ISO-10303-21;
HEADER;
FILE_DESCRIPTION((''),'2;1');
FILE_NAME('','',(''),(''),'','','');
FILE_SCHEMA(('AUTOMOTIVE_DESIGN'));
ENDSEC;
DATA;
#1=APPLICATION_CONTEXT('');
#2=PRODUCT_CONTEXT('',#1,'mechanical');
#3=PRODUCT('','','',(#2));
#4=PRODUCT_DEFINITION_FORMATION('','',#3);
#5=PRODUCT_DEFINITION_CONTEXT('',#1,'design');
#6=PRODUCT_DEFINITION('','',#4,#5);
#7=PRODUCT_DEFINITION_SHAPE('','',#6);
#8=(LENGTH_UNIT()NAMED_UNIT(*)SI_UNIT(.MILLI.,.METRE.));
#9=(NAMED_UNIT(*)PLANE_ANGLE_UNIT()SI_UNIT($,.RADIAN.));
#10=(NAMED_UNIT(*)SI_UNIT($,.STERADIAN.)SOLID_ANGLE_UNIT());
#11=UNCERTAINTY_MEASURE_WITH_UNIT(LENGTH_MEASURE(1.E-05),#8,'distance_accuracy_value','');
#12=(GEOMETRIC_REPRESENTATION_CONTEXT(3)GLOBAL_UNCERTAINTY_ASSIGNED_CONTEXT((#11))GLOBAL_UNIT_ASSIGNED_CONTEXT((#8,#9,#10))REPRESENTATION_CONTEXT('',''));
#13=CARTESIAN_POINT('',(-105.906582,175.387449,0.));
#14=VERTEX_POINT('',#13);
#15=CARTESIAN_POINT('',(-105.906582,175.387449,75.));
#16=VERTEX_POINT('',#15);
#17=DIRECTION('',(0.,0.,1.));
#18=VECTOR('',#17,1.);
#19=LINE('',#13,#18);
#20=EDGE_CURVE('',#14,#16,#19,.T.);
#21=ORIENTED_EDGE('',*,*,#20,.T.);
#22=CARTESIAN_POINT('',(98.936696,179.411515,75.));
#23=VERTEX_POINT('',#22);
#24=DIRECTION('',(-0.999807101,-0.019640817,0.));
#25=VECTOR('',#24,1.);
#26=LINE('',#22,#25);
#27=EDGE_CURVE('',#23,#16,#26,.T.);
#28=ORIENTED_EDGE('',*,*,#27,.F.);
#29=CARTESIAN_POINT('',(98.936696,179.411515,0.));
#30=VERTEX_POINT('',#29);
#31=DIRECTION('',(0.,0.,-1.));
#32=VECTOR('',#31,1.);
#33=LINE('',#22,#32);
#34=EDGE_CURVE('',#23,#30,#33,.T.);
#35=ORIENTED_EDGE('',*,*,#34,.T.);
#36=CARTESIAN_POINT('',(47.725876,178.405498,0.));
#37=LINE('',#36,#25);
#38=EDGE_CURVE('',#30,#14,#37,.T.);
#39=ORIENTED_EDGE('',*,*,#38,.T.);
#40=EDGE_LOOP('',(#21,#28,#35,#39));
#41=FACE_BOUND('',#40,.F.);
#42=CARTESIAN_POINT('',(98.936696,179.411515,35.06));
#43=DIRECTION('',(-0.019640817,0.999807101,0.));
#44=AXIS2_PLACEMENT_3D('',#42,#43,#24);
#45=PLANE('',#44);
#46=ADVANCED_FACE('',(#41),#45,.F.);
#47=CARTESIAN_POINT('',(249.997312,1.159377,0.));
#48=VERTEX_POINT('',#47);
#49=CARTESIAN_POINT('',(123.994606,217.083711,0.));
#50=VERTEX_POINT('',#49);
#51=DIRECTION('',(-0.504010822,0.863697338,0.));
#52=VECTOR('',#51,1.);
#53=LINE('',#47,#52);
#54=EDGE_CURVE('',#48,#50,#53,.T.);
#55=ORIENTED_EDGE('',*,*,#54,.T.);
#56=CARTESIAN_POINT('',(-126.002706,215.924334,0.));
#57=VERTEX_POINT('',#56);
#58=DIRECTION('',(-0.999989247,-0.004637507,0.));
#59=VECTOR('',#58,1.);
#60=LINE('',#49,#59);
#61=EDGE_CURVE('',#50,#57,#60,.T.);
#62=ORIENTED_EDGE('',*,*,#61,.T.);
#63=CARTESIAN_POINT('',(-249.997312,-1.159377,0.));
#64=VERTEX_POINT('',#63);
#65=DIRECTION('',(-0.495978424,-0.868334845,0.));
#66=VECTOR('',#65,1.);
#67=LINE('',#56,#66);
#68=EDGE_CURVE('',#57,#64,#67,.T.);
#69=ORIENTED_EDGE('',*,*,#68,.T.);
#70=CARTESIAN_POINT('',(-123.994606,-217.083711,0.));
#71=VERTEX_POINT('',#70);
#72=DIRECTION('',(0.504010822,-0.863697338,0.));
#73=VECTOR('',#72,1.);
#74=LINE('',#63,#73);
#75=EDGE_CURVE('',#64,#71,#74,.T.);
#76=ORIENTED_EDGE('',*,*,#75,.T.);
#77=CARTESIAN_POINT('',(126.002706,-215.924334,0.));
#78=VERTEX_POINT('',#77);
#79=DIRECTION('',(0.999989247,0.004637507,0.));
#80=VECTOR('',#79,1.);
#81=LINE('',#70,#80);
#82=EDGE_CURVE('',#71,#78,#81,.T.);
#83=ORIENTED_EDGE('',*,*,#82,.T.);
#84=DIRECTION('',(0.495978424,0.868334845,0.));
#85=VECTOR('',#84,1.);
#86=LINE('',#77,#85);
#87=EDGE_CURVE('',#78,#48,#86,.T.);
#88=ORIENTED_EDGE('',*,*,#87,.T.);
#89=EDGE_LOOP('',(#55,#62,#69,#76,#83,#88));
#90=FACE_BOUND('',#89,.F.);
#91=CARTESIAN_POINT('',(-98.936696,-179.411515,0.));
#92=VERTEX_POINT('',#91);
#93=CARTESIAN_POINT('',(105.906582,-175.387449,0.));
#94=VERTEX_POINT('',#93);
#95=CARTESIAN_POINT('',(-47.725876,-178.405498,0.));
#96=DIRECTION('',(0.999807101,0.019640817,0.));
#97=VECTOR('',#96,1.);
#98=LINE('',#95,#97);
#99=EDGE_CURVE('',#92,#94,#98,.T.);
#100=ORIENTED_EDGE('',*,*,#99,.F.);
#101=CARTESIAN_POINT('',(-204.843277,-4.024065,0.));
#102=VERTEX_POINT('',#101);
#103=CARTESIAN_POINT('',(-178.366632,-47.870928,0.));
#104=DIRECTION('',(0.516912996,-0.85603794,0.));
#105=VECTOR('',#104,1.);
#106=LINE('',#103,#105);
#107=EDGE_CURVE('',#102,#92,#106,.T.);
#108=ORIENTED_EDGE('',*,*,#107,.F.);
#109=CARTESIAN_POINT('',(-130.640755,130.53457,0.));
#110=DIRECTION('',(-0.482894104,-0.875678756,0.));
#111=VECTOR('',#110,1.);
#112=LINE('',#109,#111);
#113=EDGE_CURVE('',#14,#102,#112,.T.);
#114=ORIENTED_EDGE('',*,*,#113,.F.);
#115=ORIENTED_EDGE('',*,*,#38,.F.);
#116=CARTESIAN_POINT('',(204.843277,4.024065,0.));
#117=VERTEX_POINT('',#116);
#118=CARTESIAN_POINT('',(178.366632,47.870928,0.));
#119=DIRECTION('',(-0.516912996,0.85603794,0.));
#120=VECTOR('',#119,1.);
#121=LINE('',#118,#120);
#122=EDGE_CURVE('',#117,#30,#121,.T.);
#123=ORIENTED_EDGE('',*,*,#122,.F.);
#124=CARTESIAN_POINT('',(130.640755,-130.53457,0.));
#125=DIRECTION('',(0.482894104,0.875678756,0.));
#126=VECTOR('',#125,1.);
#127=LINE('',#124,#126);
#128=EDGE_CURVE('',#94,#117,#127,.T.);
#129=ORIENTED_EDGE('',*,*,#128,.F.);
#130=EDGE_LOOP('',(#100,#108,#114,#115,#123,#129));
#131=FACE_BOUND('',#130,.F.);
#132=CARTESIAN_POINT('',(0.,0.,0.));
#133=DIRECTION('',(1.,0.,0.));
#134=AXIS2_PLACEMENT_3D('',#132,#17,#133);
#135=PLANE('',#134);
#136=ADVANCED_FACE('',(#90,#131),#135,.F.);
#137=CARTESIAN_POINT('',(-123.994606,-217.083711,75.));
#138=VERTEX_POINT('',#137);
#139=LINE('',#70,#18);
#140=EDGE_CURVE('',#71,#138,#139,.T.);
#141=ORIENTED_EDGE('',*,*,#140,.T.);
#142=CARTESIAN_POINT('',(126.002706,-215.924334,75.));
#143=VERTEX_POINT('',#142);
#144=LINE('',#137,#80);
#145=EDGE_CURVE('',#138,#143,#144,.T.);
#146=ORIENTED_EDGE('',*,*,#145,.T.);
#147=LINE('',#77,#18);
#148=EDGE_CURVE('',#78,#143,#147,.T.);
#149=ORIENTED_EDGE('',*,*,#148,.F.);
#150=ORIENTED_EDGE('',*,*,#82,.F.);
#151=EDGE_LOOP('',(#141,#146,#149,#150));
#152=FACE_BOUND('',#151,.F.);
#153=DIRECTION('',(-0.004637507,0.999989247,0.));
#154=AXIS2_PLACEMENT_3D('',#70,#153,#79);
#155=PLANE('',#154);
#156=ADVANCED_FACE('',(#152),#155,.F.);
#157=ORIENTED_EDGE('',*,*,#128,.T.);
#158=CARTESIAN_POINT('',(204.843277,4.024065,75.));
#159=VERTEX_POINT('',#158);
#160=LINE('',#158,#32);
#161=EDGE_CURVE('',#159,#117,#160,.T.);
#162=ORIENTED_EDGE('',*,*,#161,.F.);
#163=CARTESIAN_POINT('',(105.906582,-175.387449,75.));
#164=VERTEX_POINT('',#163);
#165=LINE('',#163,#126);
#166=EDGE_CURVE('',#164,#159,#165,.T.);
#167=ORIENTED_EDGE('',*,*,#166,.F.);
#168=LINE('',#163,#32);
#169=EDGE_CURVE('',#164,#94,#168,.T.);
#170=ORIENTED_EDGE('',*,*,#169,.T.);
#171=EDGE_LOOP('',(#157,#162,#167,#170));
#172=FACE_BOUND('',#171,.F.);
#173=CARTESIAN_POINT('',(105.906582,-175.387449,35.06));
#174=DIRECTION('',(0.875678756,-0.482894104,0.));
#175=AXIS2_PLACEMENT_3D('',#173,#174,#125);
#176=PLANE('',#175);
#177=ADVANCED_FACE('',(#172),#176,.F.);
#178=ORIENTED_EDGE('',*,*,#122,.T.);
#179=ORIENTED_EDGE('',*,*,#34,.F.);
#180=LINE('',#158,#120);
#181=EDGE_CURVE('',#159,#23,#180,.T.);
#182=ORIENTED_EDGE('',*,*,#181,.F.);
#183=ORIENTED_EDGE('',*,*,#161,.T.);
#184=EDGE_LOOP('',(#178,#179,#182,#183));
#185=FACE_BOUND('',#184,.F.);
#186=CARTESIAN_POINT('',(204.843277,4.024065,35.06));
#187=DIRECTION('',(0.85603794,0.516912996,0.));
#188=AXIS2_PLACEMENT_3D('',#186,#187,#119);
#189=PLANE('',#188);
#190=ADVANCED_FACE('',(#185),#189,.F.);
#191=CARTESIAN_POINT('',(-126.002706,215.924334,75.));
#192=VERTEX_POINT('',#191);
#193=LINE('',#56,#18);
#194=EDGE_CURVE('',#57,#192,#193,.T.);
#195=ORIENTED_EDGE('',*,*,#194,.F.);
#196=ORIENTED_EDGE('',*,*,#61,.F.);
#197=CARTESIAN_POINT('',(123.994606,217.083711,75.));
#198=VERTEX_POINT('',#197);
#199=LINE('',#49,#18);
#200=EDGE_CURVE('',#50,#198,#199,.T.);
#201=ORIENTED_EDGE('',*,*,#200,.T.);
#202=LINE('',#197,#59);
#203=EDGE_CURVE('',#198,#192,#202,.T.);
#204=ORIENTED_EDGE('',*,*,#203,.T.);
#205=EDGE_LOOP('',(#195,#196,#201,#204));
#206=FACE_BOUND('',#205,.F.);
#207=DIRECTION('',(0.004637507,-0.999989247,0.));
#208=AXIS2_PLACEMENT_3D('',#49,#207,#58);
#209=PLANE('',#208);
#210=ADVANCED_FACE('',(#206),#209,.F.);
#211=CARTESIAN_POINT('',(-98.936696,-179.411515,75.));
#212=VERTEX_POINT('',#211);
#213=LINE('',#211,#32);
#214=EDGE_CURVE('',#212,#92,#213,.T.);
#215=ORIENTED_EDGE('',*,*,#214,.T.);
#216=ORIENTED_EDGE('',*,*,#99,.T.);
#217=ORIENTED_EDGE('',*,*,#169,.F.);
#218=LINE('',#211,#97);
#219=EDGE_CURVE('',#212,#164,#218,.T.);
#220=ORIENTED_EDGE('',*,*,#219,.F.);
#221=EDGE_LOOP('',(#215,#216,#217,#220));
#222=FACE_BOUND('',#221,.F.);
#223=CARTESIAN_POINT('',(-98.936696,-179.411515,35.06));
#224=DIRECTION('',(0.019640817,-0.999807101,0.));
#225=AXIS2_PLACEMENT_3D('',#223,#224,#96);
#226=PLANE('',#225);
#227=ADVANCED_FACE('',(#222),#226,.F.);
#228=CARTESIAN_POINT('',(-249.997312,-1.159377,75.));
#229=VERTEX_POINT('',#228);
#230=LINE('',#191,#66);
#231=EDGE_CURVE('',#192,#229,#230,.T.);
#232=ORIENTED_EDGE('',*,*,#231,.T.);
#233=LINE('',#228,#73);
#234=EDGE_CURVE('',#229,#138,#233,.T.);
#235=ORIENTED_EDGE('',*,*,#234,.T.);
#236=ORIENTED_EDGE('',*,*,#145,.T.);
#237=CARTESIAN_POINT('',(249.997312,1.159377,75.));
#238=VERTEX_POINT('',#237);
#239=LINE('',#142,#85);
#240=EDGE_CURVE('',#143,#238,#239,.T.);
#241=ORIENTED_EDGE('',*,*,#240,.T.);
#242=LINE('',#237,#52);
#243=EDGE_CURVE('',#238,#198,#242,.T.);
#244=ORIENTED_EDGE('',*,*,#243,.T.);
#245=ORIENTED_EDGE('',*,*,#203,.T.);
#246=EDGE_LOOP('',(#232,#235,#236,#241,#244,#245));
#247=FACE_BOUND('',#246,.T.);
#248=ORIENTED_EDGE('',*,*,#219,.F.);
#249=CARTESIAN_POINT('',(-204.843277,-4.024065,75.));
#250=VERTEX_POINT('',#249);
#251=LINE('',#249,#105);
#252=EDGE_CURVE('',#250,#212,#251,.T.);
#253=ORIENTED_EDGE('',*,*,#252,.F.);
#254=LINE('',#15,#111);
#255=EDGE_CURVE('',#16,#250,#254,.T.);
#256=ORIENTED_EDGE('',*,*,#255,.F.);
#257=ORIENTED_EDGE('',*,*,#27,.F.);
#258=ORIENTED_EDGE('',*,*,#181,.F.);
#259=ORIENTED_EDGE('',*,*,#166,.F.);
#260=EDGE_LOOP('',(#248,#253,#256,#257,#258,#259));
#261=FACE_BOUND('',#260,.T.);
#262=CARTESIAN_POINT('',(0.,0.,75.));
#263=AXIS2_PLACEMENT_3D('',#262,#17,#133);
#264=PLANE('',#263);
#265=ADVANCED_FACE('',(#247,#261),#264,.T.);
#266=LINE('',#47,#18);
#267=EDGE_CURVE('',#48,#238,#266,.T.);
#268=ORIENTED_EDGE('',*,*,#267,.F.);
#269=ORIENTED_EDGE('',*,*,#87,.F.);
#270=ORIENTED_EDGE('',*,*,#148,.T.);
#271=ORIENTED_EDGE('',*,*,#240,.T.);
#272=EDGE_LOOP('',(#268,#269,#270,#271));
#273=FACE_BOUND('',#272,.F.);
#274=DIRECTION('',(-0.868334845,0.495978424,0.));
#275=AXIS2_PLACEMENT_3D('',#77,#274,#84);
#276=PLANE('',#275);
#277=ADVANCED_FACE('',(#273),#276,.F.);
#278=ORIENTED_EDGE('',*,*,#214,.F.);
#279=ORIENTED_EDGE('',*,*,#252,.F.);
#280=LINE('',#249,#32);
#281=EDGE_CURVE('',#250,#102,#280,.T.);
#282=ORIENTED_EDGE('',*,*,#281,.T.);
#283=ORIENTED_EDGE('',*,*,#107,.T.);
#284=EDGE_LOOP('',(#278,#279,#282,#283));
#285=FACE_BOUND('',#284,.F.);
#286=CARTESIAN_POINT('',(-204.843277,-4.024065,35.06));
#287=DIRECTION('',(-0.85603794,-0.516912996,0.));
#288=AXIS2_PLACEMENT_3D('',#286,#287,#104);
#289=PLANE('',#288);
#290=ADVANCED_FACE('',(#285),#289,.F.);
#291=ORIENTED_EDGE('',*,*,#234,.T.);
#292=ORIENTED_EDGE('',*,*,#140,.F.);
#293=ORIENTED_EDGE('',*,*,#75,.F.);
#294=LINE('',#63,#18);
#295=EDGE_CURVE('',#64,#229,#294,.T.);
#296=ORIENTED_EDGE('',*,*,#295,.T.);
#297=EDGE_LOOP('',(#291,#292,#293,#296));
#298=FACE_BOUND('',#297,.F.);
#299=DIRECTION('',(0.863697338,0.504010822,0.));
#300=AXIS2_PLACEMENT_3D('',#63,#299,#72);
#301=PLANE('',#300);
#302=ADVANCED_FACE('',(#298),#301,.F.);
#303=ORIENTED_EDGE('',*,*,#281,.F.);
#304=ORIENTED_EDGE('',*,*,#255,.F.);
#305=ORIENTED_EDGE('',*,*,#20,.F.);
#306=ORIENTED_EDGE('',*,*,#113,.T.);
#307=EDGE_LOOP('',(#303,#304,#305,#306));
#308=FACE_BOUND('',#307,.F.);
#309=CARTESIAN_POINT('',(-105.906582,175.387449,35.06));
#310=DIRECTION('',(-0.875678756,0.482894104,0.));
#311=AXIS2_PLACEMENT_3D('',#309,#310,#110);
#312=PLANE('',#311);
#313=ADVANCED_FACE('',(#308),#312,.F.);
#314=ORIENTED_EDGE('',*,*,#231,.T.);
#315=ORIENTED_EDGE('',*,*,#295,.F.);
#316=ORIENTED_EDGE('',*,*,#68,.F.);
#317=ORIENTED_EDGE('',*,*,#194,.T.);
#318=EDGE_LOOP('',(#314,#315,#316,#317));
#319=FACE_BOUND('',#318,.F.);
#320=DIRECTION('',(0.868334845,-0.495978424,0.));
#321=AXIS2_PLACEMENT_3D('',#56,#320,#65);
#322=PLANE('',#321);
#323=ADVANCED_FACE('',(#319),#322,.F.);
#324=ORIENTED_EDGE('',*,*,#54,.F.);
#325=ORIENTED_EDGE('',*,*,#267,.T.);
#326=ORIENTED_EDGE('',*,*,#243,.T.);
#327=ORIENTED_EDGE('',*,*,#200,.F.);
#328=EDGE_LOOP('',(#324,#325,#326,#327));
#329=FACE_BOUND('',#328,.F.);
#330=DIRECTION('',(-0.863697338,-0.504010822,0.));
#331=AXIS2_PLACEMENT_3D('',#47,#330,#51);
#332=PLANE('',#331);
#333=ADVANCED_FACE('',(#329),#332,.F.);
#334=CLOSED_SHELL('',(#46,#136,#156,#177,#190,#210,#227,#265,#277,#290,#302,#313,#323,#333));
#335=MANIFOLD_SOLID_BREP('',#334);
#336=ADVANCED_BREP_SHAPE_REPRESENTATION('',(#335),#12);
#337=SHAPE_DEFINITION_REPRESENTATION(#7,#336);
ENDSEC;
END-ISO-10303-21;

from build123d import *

# Parameters (mm, degrees)
F1_DEPTH = 75
F3_DEPTH = 24.7
F4_DEPTH = 15.24
F5_DEPTH = 75


with BuildPart() as f1:
    # F0 (on Top) → F1 (new body)
    with BuildSketch(Plane.XY):
        Polygon((-126.0027056111, 215.9243343829), (-249.9973116764, -1.1593768134), (-123.9946060653, -217.0837111962), (126.0027056111, -215.9243343829), (249.9973116764, 1.1593768134), (123.9946060653, 217.0837111962), align=None)
    extrude(amount=F1_DEPTH)

    # F2 (on face) → F3 (cut)
    with BuildSketch(Plane.XY.offset(75)):
        Polygon((-105.9065815033, 175.3874490276), (-204.8432771145, -4.024065496), (-98.9366956112, -179.4115145236), (105.9065815033, -175.3874490276), (204.8432771145, 4.024065496), (98.9366956112, 179.4115145236), align=None)
    extrude(amount=-F3_DEPTH, mode=Mode.SUBTRACT)

    # F4 (cut): a face of the model
    f4_faces = [f1.faces().sort_by_distance(p)[0] for p in [
        (0, 0, 50.3),
    ]]
    extrude(f4_faces, amount=-F4_DEPTH, mode=Mode.SUBTRACT)

    # F5 (cut): a face of the model
    f5_faces = [f1.faces().sort_by_distance(p)[0] for p in [
        (0, 0, 35.06),
    ]]
    extrude(f5_faces, amount=-F5_DEPTH, mode=Mode.SUBTRACT)


solid = f1.part
